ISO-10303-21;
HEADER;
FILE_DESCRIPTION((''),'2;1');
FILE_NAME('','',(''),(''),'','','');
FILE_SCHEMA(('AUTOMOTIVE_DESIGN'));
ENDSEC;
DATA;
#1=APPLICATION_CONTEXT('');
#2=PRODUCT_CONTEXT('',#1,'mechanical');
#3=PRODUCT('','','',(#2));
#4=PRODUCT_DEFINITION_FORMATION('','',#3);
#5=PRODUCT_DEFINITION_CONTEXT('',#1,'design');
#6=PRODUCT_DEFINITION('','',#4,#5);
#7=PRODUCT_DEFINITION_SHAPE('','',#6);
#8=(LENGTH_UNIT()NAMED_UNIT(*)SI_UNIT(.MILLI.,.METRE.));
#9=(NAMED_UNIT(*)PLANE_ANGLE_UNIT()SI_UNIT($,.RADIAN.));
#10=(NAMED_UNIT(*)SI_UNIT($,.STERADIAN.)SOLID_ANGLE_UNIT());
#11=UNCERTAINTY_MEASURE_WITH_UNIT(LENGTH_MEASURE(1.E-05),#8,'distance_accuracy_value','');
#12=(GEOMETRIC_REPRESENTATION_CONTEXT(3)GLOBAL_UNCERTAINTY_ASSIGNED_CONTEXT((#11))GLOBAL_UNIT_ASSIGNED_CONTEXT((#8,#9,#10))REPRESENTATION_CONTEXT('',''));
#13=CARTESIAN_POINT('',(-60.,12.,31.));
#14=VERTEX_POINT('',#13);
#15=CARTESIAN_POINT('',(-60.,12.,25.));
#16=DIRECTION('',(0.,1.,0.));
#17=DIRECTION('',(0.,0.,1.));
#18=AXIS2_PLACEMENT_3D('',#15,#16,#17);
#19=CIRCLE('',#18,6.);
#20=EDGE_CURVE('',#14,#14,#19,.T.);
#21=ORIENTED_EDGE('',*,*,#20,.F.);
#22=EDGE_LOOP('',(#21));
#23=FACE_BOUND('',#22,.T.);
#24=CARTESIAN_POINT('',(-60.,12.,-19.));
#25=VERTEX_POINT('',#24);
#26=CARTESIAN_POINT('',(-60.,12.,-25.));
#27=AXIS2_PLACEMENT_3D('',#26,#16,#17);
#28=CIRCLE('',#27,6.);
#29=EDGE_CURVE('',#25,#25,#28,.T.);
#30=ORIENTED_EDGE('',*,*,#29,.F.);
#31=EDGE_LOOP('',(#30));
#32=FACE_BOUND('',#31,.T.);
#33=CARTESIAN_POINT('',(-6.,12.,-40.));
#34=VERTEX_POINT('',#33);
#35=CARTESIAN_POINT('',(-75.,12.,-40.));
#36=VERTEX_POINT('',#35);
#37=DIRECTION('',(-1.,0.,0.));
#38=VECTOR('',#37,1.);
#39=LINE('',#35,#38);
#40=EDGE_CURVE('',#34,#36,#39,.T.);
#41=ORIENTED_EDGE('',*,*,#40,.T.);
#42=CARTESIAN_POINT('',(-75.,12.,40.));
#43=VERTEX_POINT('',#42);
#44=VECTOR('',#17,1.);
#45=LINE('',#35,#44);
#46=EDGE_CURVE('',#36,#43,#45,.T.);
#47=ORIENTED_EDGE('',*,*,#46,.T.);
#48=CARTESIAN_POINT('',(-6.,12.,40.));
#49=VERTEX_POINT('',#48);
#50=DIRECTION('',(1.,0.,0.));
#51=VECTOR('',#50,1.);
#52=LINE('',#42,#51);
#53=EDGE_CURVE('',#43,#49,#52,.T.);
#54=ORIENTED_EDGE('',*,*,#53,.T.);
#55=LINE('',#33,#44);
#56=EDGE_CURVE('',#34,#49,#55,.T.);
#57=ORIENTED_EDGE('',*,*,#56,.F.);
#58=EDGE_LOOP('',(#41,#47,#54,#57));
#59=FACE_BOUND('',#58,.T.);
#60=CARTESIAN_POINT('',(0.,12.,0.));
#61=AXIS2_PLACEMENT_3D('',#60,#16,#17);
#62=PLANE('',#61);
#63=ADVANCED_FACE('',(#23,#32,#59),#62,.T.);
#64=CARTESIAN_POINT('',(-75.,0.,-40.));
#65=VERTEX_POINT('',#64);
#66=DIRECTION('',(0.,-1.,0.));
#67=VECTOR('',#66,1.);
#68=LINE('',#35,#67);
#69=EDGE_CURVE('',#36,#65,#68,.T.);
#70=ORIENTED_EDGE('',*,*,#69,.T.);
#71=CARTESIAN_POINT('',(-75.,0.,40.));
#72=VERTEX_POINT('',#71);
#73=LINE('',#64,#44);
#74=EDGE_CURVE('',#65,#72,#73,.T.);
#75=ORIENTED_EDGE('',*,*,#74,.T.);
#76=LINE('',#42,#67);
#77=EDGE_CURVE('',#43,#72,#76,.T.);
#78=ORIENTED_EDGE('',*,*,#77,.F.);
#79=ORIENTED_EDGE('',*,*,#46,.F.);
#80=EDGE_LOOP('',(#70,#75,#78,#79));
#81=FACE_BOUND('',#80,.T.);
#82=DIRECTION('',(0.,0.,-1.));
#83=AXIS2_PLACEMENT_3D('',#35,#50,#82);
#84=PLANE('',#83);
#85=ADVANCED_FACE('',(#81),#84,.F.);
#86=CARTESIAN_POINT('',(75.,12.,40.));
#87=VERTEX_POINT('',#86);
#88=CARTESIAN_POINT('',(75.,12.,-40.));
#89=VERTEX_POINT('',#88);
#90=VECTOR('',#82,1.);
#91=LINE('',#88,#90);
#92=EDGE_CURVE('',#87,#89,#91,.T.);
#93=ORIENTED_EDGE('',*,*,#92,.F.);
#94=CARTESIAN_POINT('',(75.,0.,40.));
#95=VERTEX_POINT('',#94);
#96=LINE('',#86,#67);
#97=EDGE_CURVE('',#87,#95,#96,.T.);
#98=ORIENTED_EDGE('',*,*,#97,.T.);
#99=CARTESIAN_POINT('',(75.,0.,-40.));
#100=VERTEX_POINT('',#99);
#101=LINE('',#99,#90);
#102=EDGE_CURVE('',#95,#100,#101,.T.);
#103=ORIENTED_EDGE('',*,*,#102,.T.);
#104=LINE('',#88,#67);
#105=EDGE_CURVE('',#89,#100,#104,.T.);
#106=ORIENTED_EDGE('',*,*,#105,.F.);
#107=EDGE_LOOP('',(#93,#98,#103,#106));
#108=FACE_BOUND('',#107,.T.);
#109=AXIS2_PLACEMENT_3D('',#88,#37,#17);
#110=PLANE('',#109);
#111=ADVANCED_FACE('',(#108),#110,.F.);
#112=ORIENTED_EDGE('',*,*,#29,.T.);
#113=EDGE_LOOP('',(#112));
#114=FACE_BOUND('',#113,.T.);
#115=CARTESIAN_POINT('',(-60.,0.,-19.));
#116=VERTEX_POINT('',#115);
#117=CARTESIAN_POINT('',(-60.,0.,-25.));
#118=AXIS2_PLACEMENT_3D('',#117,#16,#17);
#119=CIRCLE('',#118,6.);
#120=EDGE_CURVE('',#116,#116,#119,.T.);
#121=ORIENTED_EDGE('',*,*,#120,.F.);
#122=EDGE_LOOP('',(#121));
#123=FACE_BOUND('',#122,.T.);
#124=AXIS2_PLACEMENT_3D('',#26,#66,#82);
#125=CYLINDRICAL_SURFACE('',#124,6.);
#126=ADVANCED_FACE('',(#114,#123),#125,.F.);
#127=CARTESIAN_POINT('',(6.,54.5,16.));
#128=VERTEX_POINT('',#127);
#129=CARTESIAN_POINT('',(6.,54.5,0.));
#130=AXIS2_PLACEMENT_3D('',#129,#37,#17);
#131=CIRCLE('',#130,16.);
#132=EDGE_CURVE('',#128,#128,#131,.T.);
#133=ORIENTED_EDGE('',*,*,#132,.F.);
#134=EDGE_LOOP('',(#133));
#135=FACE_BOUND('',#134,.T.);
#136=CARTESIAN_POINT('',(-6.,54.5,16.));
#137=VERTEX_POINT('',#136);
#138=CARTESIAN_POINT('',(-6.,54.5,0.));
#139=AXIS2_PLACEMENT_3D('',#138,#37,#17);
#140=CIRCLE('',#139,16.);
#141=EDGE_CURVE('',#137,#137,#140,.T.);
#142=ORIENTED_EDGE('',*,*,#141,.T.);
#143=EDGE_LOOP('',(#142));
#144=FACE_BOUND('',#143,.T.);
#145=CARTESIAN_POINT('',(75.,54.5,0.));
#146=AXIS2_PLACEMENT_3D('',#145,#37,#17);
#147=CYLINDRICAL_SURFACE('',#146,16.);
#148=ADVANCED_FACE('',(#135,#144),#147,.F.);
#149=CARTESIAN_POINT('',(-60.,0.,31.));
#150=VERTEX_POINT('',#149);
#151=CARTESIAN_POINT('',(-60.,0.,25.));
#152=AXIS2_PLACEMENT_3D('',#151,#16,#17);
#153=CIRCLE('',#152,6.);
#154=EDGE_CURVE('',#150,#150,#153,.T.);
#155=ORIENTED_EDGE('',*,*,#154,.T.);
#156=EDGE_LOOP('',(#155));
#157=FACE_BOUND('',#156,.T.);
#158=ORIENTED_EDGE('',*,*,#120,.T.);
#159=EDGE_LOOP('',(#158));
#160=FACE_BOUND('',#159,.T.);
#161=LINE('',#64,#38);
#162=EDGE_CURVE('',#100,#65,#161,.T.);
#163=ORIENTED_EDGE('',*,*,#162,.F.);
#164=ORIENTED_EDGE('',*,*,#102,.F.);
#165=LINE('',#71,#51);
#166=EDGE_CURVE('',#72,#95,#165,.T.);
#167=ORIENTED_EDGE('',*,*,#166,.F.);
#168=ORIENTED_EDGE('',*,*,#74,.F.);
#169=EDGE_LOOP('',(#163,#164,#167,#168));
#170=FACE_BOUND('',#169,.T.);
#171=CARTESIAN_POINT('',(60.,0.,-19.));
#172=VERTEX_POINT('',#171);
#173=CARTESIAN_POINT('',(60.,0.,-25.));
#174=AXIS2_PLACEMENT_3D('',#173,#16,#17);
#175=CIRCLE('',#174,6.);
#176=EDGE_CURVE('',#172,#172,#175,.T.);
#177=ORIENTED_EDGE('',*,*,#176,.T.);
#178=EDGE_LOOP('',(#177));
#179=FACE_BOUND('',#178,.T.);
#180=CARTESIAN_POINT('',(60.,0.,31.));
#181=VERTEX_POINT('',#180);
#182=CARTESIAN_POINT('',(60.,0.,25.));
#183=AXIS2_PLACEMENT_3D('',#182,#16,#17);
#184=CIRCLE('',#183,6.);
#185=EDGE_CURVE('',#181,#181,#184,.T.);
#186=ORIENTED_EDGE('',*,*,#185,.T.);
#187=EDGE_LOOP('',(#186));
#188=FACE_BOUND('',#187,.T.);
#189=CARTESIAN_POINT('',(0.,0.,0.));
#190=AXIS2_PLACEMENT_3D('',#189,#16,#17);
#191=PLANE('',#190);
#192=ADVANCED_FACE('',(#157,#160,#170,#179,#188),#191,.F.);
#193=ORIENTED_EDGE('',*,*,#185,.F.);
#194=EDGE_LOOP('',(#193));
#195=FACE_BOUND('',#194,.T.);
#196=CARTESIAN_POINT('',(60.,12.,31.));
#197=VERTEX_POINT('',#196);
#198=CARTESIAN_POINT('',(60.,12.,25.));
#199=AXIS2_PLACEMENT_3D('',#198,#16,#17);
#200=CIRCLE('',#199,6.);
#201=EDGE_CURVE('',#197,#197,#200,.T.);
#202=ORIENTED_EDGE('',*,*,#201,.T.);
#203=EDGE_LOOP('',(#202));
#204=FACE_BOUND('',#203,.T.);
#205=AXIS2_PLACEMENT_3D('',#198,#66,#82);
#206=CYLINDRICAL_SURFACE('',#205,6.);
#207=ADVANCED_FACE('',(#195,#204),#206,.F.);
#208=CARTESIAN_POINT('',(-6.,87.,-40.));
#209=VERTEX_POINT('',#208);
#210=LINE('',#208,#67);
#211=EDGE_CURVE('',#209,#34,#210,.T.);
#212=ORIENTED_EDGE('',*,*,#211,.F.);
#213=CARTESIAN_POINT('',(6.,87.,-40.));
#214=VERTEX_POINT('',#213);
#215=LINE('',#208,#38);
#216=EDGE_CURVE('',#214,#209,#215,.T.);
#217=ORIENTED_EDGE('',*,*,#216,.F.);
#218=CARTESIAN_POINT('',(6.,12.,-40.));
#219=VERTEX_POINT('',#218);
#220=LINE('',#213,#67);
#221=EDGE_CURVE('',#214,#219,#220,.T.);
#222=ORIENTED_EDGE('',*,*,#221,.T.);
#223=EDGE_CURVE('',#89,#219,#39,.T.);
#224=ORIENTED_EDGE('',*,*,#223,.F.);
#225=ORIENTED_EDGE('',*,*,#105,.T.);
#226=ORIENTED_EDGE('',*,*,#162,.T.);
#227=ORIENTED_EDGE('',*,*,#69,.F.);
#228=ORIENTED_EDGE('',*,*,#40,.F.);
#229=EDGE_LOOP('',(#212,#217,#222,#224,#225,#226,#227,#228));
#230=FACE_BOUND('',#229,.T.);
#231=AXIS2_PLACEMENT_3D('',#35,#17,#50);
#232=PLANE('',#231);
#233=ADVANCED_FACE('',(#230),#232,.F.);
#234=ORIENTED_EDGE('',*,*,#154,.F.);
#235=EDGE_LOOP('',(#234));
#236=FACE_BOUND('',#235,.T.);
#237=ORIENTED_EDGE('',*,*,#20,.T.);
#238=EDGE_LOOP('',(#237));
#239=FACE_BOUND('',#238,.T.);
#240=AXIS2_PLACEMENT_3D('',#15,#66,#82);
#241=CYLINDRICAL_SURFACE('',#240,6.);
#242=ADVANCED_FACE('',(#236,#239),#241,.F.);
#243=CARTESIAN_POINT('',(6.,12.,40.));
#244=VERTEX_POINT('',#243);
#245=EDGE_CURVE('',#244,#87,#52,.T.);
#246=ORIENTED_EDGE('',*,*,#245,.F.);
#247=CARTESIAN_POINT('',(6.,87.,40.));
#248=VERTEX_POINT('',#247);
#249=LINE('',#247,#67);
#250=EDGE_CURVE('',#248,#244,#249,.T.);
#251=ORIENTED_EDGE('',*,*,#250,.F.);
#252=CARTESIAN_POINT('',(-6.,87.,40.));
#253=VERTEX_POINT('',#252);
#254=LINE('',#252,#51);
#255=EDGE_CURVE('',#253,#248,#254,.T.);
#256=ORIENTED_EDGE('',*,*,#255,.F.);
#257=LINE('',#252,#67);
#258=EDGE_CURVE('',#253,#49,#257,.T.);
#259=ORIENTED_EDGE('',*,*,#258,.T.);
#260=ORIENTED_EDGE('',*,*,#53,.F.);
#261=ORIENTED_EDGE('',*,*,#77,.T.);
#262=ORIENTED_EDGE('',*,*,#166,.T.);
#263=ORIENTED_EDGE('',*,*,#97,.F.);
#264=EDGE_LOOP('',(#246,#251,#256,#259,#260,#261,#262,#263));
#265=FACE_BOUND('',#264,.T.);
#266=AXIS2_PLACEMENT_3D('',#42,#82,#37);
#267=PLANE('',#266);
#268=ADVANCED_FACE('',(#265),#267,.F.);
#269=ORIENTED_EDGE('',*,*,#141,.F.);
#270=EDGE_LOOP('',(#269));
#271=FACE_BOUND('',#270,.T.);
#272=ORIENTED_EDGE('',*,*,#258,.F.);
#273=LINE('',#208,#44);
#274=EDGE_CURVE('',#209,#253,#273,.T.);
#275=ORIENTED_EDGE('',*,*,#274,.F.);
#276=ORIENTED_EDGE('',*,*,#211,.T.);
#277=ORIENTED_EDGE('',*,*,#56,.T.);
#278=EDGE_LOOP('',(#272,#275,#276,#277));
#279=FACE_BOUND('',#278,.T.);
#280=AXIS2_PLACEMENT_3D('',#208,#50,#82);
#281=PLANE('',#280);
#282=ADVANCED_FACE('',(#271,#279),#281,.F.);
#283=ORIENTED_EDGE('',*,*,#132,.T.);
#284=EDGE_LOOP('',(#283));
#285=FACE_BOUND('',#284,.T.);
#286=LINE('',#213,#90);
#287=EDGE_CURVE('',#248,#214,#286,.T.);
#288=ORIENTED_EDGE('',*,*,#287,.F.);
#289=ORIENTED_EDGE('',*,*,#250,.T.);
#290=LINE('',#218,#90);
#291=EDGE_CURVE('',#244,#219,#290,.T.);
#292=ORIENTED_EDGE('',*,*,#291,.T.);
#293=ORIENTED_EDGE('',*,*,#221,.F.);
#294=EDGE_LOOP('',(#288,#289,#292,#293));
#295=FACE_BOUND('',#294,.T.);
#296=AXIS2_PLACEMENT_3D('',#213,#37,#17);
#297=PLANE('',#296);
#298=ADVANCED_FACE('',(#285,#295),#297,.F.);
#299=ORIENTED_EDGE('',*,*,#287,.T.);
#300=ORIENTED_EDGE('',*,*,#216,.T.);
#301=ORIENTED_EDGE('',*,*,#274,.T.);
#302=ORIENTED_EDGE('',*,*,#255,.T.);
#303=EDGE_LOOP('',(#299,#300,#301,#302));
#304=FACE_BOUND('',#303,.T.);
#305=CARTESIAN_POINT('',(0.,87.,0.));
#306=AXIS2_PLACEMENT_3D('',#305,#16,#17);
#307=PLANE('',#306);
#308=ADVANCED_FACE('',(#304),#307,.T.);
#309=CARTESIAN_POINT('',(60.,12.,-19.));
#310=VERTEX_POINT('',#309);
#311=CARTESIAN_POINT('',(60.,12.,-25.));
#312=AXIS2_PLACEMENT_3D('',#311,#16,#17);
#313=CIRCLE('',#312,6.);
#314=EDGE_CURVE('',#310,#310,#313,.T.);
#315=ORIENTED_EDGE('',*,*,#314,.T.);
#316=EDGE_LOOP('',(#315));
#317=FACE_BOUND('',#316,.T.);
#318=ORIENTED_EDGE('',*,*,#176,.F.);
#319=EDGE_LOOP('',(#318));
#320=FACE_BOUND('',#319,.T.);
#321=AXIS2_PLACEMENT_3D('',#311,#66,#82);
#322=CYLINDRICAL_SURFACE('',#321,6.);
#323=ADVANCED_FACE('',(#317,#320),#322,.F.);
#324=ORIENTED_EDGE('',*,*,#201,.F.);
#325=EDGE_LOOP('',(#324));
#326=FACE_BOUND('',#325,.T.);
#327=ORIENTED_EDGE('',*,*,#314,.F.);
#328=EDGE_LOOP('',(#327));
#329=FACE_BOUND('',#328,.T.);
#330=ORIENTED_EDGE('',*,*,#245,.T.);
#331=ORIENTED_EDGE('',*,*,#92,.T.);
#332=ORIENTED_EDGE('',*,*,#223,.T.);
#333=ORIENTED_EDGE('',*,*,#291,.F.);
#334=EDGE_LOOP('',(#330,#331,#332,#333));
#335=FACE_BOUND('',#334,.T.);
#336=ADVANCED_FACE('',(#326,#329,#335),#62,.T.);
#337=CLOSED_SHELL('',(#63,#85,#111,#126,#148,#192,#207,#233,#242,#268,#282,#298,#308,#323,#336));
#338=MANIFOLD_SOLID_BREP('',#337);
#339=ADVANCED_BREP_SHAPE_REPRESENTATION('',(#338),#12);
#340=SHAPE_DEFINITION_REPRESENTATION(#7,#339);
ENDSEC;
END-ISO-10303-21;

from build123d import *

# Parameters (mm, degrees)
ESBO_O1_W                = 150
ESBO_O1_H                = 80
ESBO_O1_R                = 6
RESSALTO_EXTRUS_O1_DEPTH = 12
ESBO_O2_W                = 12
ESBO_O2_H                = 80
RESSALTO_EXTRUS_O2_DEPTH = 75
ESBO_O3_R                = 16
CORTE_EXTRUS_O1_DEPTH    = 126.419296761


with BuildPart() as part:
    # Esboço1 → Ressalto-extrusão1 (new body)
    with BuildSketch(Plane(origin=(0, 0, 0), x_dir=(1, 0, 0), z_dir=(0, 1, 0))):
        Rectangle(ESBO_O1_W, ESBO_O1_H)
        with Locations(Location((-60, 25, 0), (0, 0, 270))):
            Circle(ESBO_O1_R, mode=Mode.SUBTRACT)
        with Locations(Location((-60, -25, 0), (0, 0, 270))):
            Circle(ESBO_O1_R, mode=Mode.SUBTRACT)
        with Locations(Location((60, 25, 0), (0, 0, 270))):
            Circle(ESBO_O1_R, mode=Mode.SUBTRACT)
        with Locations(Location((60, -25, 0), (0, 0, 270))):
            Circle(ESBO_O1_R, mode=Mode.SUBTRACT)
    extrude(amount=RESSALTO_EXTRUS_O1_DEPTH)

    # Esboço2 → Ressalto-extrusão2 (add)
    with BuildSketch(Plane(origin=(0, 12, 0), x_dir=(1, 0, 0), z_dir=(0, 1, 0))):
        Rectangle(ESBO_O2_W, ESBO_O2_H)
    extrude(amount=RESSALTO_EXTRUS_O2_DEPTH)

    # Esboço3 → Corte-extrusão1 (cut, through all)
    with BuildSketch(Plane.ZY.offset(6)):
        with Locations((0, 54.5)):
            Circle(ESBO_O3_R)
    extrude(amount=-CORTE_EXTRUS_O1_DEPTH, mode=Mode.SUBTRACT)


solid = part.part
